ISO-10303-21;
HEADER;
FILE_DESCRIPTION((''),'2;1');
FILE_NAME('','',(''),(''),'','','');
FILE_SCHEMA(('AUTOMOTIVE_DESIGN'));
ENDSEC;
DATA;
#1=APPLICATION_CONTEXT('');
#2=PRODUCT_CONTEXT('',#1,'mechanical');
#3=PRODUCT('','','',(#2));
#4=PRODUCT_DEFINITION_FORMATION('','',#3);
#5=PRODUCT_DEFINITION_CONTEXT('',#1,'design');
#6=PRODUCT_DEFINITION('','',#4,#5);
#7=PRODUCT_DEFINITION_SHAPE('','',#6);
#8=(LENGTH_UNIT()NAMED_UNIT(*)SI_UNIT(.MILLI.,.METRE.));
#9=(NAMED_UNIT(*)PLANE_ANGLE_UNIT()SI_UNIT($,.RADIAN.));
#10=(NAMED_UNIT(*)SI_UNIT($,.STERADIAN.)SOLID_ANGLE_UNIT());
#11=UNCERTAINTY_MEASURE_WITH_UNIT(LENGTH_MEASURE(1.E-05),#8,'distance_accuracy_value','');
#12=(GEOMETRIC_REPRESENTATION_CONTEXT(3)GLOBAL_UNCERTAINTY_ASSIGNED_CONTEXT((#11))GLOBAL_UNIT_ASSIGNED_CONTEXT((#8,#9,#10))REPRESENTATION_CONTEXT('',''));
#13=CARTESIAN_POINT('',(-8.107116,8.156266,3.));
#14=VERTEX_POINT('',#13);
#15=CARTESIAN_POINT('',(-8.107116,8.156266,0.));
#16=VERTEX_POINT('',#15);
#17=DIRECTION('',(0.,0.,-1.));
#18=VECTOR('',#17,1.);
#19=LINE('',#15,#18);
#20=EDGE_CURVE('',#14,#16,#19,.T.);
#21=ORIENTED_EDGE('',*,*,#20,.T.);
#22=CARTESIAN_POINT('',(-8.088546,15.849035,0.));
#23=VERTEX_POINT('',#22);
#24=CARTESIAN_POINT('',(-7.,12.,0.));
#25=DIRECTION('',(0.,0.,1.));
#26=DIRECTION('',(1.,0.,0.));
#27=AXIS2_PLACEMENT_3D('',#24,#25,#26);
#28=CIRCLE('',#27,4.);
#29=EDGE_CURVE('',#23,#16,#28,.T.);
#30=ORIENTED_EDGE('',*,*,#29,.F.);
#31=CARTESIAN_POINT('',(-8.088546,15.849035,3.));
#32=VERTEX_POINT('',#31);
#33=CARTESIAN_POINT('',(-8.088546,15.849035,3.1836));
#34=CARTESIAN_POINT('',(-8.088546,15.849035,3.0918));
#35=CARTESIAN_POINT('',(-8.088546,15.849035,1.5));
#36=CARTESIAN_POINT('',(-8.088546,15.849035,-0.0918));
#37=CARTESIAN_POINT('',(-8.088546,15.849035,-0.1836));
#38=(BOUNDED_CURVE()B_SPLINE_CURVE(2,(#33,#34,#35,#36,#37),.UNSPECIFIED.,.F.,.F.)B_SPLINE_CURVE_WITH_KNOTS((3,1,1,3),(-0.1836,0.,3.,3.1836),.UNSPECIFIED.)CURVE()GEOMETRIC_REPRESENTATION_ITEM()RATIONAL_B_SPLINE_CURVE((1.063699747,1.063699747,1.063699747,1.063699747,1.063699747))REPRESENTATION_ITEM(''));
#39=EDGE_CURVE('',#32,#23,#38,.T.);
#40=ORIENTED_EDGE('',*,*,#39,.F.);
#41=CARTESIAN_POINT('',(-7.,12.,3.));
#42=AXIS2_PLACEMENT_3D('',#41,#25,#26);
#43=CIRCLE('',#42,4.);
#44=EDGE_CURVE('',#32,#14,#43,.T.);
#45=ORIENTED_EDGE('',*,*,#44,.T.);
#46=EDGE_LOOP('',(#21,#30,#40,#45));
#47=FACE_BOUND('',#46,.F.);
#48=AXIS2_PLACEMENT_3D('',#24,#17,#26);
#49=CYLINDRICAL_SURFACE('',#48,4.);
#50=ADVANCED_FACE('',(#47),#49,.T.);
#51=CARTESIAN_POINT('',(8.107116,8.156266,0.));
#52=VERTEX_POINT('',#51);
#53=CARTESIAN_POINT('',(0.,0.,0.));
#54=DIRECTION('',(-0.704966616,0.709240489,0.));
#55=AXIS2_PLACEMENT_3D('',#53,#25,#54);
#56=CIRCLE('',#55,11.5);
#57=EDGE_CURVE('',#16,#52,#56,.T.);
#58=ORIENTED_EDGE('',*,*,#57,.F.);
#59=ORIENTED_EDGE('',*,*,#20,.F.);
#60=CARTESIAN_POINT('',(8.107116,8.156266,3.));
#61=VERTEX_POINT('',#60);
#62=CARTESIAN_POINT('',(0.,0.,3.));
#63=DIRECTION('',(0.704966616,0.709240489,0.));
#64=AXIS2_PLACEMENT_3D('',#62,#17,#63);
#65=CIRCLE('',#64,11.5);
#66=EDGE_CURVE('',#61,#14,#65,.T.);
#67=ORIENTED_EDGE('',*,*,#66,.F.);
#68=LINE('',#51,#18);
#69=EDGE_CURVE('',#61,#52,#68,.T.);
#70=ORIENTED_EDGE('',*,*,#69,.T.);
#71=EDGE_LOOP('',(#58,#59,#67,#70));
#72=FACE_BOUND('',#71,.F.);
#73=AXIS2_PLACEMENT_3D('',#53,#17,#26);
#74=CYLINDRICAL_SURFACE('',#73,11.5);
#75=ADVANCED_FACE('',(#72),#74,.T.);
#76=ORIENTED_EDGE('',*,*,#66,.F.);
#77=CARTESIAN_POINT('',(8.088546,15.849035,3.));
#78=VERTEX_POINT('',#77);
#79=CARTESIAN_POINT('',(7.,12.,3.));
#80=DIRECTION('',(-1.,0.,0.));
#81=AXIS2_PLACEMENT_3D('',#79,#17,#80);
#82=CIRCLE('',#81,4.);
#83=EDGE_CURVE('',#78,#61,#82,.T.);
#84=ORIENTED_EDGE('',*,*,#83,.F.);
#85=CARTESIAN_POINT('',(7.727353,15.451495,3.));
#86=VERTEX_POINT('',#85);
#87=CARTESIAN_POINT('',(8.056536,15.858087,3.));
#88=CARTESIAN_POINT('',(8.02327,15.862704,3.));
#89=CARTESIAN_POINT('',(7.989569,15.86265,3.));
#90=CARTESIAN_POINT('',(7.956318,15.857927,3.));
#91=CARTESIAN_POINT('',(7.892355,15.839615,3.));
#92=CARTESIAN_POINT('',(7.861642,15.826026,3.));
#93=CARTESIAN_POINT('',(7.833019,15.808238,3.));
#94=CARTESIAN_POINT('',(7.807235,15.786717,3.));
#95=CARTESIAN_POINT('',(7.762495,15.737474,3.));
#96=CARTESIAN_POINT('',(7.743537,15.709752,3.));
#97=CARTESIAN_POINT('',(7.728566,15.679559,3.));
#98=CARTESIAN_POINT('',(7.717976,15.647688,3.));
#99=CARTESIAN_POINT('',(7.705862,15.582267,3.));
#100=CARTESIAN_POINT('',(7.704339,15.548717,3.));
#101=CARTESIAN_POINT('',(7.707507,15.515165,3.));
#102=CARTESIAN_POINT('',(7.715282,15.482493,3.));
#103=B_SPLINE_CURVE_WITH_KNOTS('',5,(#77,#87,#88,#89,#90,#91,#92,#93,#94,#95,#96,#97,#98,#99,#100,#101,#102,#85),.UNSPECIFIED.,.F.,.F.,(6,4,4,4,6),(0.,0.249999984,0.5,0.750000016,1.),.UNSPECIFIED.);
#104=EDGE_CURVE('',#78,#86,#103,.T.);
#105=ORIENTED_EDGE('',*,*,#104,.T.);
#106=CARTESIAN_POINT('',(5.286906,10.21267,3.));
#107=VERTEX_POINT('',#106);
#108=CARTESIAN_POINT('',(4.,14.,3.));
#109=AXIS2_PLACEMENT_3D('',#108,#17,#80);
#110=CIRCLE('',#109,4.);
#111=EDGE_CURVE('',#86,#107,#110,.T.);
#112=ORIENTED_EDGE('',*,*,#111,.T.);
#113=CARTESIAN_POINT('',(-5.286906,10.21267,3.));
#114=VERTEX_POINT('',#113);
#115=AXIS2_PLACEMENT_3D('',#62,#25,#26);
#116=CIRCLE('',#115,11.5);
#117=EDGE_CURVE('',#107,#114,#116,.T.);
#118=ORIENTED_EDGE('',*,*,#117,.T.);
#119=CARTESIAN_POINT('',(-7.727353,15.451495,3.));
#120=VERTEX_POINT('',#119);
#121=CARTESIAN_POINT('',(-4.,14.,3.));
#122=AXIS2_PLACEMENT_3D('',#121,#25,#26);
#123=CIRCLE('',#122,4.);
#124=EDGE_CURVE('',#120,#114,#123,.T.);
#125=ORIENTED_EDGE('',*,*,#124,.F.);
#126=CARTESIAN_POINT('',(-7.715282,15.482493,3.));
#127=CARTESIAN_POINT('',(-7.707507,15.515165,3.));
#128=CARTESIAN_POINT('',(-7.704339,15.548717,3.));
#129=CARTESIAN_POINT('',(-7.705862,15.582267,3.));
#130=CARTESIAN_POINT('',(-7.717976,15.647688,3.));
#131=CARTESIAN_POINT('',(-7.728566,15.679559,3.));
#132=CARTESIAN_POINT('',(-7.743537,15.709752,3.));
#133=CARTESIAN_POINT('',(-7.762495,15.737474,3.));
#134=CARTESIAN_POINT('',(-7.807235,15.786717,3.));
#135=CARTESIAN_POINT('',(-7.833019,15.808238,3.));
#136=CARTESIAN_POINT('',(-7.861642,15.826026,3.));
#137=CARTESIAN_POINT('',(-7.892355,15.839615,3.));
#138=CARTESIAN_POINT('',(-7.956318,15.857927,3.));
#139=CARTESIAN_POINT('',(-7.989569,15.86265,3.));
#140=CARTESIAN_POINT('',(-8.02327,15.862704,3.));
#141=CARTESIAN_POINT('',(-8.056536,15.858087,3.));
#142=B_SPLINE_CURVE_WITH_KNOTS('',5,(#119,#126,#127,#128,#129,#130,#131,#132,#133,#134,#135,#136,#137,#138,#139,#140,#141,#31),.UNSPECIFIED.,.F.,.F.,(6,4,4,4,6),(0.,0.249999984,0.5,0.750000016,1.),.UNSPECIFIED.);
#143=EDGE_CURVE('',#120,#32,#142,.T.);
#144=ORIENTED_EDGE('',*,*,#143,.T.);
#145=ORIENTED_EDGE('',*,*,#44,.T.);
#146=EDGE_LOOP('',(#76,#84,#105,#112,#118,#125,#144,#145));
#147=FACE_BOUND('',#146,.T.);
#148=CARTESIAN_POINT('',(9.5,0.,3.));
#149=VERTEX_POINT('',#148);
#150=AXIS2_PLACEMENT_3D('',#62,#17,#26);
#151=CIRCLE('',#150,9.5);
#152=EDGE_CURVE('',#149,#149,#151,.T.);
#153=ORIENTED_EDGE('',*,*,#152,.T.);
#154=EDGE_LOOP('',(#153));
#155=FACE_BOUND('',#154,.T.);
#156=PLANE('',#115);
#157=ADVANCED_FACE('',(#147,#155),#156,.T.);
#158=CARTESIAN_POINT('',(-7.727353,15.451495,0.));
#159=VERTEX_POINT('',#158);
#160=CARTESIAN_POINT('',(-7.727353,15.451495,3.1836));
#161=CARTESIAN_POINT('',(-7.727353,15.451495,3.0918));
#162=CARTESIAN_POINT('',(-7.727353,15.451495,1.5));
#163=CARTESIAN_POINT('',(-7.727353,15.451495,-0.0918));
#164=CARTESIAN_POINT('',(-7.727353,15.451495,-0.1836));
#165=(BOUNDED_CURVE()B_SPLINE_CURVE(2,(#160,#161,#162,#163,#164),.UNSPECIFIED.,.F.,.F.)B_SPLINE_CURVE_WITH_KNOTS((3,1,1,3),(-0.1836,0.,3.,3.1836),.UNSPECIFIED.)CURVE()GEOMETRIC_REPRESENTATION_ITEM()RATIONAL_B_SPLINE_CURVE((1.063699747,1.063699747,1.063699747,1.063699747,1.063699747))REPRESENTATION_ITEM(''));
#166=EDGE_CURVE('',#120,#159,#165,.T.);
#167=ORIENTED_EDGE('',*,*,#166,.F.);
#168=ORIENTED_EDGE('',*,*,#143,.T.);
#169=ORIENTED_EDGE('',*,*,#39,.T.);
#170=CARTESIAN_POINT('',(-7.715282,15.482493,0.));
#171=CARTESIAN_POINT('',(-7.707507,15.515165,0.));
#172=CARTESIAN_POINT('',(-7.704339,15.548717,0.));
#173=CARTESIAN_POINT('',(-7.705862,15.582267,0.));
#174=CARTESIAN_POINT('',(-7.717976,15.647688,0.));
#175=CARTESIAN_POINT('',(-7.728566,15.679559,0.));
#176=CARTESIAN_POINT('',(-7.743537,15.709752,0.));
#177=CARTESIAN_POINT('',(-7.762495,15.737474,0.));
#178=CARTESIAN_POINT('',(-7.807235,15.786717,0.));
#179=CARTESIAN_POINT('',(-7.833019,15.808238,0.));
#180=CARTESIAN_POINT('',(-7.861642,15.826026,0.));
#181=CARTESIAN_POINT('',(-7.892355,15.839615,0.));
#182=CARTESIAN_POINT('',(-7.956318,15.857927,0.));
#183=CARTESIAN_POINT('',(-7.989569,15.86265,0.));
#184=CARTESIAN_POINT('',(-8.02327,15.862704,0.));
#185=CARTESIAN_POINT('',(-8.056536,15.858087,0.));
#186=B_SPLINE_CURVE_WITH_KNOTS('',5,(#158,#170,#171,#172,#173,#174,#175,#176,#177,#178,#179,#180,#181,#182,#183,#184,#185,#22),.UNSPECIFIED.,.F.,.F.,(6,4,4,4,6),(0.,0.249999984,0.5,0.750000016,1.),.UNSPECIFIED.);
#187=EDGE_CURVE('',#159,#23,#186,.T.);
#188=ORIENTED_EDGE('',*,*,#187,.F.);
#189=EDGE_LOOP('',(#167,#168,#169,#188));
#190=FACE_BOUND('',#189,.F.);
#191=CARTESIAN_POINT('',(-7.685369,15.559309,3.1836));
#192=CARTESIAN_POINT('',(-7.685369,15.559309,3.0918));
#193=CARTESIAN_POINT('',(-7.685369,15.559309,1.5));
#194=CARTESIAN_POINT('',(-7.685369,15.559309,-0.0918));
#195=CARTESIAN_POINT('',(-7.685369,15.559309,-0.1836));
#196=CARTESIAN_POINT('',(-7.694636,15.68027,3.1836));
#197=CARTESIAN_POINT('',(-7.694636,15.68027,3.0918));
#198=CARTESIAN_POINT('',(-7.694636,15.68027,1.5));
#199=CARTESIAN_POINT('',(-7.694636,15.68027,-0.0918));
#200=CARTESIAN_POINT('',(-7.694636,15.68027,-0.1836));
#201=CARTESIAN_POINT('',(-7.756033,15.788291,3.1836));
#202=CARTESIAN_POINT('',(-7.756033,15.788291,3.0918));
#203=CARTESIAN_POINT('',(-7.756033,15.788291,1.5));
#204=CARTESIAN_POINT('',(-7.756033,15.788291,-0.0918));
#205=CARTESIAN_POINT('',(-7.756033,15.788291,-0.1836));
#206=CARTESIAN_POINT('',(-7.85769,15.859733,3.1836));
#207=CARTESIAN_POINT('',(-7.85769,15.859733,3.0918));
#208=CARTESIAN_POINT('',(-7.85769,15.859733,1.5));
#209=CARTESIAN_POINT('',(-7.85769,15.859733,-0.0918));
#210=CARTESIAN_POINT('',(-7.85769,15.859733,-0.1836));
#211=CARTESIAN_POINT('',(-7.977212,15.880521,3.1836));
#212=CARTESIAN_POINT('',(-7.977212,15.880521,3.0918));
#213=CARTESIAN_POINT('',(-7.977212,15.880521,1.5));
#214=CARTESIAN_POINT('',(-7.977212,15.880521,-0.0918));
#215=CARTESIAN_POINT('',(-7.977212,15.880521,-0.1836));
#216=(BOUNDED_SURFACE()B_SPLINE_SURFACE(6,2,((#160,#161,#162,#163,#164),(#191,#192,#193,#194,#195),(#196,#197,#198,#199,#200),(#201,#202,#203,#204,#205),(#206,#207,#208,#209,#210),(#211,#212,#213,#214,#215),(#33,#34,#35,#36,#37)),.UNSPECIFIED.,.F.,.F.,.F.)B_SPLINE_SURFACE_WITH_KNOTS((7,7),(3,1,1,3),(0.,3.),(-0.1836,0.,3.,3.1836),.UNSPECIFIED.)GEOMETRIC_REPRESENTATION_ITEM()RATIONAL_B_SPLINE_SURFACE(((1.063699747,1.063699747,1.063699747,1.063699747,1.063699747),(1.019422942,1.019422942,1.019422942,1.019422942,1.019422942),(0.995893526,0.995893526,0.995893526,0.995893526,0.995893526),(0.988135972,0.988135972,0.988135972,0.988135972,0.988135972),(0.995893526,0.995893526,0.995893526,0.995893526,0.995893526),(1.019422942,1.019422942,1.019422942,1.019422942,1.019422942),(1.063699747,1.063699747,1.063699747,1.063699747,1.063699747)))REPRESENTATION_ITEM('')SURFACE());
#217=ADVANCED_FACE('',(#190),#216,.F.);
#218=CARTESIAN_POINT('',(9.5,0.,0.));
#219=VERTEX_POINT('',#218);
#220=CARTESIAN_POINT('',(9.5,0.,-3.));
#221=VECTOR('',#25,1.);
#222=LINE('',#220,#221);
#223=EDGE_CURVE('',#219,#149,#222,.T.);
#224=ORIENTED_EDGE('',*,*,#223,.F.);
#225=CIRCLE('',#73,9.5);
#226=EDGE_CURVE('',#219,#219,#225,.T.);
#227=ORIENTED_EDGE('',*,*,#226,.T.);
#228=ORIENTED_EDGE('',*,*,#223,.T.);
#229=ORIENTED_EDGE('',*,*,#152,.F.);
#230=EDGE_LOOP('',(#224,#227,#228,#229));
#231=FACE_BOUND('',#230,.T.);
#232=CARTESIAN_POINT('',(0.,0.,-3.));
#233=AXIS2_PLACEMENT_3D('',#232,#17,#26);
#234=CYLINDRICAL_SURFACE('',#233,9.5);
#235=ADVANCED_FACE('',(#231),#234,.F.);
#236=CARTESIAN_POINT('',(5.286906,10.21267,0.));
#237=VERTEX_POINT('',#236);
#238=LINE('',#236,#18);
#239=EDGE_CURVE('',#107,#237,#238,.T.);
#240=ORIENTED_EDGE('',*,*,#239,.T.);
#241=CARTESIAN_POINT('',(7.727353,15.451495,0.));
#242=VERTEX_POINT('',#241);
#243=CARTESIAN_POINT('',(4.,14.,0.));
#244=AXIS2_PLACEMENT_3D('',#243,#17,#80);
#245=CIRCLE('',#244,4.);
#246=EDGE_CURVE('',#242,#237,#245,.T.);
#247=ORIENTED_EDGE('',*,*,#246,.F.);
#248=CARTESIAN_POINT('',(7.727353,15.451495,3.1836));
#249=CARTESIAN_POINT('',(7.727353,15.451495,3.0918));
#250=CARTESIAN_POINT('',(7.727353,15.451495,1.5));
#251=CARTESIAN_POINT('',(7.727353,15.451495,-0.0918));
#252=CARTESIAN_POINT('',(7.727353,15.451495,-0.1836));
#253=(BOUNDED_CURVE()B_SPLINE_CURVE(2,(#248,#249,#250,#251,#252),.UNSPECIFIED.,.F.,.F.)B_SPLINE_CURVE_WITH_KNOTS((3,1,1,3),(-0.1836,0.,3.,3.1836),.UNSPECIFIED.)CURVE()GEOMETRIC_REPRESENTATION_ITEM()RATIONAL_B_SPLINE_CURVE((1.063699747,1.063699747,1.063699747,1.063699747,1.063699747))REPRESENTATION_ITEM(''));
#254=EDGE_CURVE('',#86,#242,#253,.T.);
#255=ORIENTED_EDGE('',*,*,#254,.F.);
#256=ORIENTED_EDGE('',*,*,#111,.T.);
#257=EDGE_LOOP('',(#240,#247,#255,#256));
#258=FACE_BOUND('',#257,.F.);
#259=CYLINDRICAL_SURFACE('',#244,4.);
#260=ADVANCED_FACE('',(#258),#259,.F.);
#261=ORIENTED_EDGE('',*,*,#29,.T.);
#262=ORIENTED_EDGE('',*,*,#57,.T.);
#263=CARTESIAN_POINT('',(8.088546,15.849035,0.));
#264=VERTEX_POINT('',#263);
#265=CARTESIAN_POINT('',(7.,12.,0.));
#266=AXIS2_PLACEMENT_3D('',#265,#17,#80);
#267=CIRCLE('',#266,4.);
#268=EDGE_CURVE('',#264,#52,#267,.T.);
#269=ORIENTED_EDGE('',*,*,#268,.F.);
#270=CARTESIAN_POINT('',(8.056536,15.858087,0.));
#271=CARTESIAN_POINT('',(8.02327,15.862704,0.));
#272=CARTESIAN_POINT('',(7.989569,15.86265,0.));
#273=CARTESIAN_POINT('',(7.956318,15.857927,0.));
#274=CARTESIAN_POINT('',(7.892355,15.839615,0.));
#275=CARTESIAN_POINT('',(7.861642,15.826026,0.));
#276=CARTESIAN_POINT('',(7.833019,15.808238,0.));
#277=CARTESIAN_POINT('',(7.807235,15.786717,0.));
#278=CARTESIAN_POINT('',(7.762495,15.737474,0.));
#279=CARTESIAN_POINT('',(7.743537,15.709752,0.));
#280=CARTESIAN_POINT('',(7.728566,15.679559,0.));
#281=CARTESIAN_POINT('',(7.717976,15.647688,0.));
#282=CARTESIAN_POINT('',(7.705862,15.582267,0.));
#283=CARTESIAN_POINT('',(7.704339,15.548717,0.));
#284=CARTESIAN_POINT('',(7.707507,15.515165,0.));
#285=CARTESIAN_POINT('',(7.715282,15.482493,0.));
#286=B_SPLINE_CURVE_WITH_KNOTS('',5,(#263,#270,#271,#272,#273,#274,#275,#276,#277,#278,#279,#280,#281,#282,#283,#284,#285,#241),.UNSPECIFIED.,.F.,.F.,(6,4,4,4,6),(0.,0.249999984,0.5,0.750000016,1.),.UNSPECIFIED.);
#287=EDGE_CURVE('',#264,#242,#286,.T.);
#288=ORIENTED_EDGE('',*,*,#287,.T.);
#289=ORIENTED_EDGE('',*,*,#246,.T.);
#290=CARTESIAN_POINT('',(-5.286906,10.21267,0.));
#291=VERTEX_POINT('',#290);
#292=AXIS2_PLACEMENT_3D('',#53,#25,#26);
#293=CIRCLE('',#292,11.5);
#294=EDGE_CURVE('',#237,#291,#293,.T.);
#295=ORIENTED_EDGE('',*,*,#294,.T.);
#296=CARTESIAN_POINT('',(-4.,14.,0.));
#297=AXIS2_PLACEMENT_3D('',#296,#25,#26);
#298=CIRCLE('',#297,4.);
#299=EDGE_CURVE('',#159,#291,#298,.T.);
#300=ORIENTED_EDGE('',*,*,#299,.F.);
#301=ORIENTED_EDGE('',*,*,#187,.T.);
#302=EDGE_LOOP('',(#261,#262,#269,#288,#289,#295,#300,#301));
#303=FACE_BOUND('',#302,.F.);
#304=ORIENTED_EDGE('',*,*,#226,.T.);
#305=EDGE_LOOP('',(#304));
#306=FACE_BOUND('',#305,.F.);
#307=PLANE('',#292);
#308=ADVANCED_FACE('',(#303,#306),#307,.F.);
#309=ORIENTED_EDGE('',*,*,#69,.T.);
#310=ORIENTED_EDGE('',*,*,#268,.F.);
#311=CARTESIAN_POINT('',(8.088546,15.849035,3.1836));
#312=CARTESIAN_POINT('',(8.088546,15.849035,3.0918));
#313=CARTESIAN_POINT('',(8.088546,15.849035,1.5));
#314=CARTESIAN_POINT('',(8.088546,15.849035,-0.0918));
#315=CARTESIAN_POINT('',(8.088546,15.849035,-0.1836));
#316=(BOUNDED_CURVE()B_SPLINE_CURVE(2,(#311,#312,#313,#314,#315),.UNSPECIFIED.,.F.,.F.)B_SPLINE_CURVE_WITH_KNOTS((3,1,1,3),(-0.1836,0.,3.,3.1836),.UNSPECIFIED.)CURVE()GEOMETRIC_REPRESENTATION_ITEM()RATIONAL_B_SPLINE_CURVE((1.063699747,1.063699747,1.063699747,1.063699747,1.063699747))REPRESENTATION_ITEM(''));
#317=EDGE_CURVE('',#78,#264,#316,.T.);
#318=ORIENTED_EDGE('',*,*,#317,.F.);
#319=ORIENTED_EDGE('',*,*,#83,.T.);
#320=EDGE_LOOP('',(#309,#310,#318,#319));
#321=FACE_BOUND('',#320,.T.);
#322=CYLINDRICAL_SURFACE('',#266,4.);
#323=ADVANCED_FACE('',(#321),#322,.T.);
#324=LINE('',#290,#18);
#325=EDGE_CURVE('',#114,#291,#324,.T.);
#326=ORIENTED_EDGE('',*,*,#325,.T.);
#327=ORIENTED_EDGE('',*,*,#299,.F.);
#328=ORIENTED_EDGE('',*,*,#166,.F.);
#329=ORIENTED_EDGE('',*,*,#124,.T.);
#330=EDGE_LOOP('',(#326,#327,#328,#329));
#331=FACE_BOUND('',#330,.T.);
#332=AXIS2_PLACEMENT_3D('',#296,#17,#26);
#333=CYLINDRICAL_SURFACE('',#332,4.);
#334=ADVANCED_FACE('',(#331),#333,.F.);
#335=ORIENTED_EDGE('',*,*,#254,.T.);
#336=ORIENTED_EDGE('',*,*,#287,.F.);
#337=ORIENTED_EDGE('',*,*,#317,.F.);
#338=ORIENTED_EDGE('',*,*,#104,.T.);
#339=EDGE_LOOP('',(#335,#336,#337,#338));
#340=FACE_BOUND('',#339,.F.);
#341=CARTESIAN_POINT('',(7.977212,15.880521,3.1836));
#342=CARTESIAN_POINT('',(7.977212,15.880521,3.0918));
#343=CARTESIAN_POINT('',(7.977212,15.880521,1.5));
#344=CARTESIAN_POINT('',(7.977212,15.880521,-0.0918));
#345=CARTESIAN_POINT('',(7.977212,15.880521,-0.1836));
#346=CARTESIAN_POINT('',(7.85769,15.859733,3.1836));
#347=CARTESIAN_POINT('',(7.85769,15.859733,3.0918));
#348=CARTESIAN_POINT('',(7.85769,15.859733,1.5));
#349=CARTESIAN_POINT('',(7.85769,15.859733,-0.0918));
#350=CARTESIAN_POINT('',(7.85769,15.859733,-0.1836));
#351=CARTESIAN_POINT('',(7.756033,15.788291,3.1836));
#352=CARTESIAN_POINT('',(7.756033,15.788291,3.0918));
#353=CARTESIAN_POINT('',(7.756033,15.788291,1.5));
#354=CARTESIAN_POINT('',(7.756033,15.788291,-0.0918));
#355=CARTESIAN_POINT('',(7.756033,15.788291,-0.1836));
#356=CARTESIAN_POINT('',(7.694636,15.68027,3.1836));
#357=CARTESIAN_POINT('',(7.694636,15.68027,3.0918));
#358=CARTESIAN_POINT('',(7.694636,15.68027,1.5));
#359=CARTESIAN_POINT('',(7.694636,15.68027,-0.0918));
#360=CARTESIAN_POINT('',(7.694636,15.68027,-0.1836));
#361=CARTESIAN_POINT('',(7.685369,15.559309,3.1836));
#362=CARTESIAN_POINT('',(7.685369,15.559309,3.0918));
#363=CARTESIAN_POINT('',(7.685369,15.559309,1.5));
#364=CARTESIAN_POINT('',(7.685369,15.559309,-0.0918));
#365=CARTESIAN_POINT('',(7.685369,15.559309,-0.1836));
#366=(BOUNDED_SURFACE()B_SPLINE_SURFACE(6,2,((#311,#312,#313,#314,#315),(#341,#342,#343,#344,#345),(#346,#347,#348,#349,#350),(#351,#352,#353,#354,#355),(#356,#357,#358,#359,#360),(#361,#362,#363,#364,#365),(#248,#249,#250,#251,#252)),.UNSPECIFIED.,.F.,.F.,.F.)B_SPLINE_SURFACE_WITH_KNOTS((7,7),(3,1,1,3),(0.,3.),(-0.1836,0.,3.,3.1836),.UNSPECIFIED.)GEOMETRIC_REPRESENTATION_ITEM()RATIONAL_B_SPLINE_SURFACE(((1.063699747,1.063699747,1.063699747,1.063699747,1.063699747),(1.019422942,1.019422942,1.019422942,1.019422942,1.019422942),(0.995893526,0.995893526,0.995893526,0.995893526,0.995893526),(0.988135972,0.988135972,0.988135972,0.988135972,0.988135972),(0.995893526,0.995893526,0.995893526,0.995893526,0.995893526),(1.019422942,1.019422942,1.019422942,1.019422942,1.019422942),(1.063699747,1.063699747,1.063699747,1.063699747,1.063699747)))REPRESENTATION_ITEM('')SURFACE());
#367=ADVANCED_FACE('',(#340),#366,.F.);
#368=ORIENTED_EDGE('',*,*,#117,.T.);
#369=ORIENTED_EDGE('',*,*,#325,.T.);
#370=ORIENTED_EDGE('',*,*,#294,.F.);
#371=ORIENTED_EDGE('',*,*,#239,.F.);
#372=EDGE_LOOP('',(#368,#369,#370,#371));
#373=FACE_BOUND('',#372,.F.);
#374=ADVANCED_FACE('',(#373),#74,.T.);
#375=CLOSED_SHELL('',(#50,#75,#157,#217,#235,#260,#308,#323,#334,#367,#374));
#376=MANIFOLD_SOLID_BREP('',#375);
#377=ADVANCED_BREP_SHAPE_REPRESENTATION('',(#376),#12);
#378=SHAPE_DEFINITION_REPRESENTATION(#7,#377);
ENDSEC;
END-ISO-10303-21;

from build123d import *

# Parameters (mm, degrees)
CYLINDER003_R     = 4
CYLINDER003_DEPTH = 3
CYLINDER002_R     = 4
CYLINDER002_DEPTH = 3
CYLINDER001_R     = 9.5
CYLINDER001_DEPTH = 10
CYLINDER_R        = 11.5
CYLINDER_DEPTH    = 3
FILLET_R          = 0.3


with BuildPart() as cilindro003:
    # Cylinder003 → Cylinder003 (new body)
    with BuildSketch(Plane(origin=(3, 2, 0), x_dir=(1, 0, 0), z_dir=(0, 0, 1))):
        Circle(CYLINDER003_R)
    extrude(amount=CYLINDER003_DEPTH)


with BuildPart() as cilindro002:
    # Cylinder002 → Cylinder002 (new body)
    with BuildSketch(Plane.XY):
        Circle(CYLINDER002_R)
    extrude(amount=CYLINDER002_DEPTH)


with BuildPart() as cut001:
    # Cut001 base: copy of Cilindro002
    add(cilindro002.part)

    # Cut001: cut Cilindro003
    add(cilindro003.part, mode=Mode.SUBTRACT)


with BuildPart() as cut001_1:
    # Cut001 placement: moved
    add(cut001.part.moved(Location((-7, 11, 0))))


with BuildPart() as cuerno_decho:
    # Part__Mirroring: instance of Cut001
    add(cut001_1.part.mirror(Plane(origin=(0, 0, 0), x_dir=(0, -1, 0), z_dir=(1, 0, 0))))


with BuildPart() as cuerno_decho_1:
    # Part__Mirroring placement: moved
    add(cuerno_decho.part.moved(Location((0, 1, 0))))


with BuildPart() as cilindro_interior:
    # Cylinder001 → Cylinder001 (new body)
    with BuildSketch(Plane.XY.offset(-3)):
        Circle(CYLINDER001_R)
    extrude(amount=CYLINDER001_DEPTH)


with BuildPart() as cuerpo_anillo:
    # Cylinder → Cylinder (new body)
    with BuildSketch(Plane.XY):
        Circle(CYLINDER_R)
    extrude(amount=CYLINDER_DEPTH)

    # Cut: cut cilindro-interior
    add(cilindro_interior.part, mode=Mode.SUBTRACT)


with BuildPart() as anillo_final:
    # Cut002 base: copy of Cilindro002
    add(cilindro002.part)

    # Cut002: cut Cilindro003
    add(cilindro003.part, mode=Mode.SUBTRACT)


with BuildPart() as anillo_final_1:
    # Cut002 placement: moved
    add(anillo_final.part.moved(Location((-7, 12, 0))))

    # Fusion: union Cuerno-decho, Cuerpo-anillo
    add(cuerno_decho_1.part)
    add(cuerpo_anillo.part)

    # Fillet
    fillet_edges = [anillo_final_1.edges().sort_by_distance(p)[0] for p in [
        (-7.480676, 15.971014, 1.5),
        (7.480676, 15.971014, 1.5),
    ]]
    fillet(fillet_edges, radius=FILLET_R)


solid = anillo_final_1.part
